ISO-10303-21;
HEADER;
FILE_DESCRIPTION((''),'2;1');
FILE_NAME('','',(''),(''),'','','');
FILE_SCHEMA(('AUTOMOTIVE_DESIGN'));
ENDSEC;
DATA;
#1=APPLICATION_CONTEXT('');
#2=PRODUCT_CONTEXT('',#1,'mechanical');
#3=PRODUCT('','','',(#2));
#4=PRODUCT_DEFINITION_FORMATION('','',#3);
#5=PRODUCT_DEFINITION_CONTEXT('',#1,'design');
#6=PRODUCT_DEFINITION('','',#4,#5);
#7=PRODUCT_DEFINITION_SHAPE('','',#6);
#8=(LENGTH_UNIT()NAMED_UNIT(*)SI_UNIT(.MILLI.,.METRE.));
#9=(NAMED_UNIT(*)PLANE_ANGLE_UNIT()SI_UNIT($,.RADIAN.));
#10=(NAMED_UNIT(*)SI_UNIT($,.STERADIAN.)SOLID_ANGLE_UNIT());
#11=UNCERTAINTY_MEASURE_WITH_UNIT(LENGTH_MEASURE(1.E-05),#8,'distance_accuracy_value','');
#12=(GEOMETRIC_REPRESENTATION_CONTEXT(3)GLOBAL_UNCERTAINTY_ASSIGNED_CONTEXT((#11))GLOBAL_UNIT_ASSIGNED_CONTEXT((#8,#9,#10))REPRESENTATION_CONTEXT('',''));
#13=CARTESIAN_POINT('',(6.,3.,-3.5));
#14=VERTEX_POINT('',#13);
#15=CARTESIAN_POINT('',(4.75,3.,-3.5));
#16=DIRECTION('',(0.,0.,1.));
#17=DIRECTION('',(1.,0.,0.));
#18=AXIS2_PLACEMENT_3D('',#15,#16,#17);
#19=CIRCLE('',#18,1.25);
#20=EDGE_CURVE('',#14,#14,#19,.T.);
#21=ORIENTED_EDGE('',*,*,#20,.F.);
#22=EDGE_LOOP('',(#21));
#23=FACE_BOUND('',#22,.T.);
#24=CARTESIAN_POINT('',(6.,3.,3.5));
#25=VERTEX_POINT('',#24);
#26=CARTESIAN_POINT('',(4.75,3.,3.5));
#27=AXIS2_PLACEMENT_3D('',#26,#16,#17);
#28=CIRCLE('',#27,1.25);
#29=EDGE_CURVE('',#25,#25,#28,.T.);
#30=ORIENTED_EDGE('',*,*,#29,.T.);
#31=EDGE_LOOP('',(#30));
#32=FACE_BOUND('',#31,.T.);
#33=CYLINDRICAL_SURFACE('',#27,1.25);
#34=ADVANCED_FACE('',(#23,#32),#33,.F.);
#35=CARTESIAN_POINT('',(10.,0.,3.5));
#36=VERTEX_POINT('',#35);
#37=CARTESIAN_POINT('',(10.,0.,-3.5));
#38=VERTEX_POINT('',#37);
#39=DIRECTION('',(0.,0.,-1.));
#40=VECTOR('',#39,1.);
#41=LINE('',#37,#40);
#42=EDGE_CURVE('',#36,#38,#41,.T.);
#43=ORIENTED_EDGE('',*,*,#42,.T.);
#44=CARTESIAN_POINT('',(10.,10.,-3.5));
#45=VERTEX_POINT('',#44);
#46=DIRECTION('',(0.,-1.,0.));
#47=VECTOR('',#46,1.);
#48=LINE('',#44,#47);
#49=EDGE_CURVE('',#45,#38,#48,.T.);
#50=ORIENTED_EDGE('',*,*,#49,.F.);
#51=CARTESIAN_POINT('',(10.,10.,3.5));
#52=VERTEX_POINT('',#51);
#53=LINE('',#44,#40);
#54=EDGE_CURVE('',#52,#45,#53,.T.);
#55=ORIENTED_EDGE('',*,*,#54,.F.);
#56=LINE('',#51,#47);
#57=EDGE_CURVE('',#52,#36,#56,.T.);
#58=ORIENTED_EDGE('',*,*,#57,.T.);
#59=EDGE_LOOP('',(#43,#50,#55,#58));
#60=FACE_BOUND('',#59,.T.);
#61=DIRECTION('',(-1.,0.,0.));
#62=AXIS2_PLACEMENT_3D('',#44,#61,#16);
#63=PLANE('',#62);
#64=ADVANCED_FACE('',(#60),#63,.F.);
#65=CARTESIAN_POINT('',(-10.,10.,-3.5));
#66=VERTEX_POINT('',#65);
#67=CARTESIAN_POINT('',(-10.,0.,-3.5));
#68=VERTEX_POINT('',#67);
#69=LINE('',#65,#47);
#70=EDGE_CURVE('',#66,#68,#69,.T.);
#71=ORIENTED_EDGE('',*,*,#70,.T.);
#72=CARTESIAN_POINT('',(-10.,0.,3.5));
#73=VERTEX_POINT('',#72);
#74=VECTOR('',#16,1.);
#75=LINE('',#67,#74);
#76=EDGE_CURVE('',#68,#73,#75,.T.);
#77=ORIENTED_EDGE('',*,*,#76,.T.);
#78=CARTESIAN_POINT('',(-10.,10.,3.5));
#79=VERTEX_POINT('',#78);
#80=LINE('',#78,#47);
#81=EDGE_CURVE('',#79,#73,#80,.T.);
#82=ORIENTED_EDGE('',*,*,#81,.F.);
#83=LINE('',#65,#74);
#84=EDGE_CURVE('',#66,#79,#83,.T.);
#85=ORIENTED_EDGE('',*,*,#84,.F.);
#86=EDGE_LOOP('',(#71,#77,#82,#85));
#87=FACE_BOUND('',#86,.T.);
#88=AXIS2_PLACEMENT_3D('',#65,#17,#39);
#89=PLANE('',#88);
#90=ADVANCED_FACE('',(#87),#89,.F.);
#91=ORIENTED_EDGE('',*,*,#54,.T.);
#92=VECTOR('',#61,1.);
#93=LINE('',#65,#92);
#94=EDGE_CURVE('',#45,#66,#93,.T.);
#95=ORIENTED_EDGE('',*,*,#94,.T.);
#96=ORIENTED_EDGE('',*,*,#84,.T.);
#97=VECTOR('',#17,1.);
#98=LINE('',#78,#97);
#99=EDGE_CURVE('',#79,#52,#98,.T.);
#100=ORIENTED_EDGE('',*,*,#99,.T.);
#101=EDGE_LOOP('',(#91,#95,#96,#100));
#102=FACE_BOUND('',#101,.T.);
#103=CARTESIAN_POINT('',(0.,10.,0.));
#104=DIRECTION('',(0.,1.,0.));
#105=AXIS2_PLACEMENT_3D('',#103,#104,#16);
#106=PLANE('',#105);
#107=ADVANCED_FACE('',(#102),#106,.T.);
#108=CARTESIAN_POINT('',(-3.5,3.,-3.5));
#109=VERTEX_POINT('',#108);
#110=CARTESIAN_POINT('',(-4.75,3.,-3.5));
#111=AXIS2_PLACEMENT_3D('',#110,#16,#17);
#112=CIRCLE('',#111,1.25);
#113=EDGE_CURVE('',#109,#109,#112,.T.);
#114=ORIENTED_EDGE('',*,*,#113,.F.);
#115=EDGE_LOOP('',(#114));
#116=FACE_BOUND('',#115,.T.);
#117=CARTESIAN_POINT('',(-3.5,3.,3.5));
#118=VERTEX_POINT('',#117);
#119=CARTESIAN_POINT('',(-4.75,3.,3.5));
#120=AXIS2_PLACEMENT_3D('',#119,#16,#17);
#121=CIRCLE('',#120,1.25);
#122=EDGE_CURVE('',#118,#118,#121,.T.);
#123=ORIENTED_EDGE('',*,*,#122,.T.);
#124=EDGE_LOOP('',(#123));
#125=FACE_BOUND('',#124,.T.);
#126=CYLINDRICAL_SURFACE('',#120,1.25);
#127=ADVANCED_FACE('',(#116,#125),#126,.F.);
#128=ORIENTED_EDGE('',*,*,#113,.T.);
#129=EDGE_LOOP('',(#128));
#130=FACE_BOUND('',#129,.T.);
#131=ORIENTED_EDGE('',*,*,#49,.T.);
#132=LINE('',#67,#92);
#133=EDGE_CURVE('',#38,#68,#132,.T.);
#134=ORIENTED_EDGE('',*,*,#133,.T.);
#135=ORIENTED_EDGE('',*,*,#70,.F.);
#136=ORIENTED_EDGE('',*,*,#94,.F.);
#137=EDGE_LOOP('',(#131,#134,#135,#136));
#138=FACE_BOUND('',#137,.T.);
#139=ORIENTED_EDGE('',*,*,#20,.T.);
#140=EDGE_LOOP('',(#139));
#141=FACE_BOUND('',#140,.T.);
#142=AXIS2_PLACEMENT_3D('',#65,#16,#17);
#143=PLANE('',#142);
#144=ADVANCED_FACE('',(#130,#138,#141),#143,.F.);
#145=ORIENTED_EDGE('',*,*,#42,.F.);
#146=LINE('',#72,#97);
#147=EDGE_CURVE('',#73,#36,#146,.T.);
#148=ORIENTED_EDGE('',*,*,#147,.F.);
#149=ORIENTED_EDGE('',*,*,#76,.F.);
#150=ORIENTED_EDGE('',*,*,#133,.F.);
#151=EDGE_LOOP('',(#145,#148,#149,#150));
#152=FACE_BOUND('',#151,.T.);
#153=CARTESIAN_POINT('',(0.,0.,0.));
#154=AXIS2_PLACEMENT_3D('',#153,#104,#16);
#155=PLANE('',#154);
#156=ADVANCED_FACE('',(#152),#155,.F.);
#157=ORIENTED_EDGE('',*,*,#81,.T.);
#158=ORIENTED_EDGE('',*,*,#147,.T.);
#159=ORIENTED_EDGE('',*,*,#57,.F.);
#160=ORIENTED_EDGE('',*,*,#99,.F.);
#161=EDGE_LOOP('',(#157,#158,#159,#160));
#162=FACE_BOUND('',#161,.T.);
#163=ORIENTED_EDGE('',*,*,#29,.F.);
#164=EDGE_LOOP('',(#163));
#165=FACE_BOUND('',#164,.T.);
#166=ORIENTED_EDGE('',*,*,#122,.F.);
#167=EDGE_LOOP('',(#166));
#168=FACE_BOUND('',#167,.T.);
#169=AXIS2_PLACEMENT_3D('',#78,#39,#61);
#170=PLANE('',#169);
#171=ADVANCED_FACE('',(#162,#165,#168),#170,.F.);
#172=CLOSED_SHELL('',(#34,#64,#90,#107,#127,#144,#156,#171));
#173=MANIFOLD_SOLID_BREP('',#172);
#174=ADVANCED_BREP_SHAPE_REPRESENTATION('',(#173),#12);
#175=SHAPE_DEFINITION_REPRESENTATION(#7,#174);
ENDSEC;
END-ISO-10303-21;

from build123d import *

# Parameters (mm, degrees)
CROQUIS1_W              = 20
CROQUIS1_H              = 7
SALIENTE_EXTRUIR1_DEPTH = 10
TALADRO1_D              = 2.5


with BuildPart() as part:
    # Croquis1 → Saliente-Extruir1 (new body)
    with BuildSketch(Plane(origin=(0, 0, 0), x_dir=(1, 0, 0), z_dir=(0, 1, 0))):
        Rectangle(CROQUIS1_W, CROQUIS1_H)
    extrude(amount=SALIENTE_EXTRUIR1_DEPTH)

    # Taladro1 (through all)
    with Locations(Plane.XY.offset(3.5)):
        with Locations((-4.75, 3), (4.75, 3)):
            Hole(TALADRO1_D / 2)


solid = part.part
